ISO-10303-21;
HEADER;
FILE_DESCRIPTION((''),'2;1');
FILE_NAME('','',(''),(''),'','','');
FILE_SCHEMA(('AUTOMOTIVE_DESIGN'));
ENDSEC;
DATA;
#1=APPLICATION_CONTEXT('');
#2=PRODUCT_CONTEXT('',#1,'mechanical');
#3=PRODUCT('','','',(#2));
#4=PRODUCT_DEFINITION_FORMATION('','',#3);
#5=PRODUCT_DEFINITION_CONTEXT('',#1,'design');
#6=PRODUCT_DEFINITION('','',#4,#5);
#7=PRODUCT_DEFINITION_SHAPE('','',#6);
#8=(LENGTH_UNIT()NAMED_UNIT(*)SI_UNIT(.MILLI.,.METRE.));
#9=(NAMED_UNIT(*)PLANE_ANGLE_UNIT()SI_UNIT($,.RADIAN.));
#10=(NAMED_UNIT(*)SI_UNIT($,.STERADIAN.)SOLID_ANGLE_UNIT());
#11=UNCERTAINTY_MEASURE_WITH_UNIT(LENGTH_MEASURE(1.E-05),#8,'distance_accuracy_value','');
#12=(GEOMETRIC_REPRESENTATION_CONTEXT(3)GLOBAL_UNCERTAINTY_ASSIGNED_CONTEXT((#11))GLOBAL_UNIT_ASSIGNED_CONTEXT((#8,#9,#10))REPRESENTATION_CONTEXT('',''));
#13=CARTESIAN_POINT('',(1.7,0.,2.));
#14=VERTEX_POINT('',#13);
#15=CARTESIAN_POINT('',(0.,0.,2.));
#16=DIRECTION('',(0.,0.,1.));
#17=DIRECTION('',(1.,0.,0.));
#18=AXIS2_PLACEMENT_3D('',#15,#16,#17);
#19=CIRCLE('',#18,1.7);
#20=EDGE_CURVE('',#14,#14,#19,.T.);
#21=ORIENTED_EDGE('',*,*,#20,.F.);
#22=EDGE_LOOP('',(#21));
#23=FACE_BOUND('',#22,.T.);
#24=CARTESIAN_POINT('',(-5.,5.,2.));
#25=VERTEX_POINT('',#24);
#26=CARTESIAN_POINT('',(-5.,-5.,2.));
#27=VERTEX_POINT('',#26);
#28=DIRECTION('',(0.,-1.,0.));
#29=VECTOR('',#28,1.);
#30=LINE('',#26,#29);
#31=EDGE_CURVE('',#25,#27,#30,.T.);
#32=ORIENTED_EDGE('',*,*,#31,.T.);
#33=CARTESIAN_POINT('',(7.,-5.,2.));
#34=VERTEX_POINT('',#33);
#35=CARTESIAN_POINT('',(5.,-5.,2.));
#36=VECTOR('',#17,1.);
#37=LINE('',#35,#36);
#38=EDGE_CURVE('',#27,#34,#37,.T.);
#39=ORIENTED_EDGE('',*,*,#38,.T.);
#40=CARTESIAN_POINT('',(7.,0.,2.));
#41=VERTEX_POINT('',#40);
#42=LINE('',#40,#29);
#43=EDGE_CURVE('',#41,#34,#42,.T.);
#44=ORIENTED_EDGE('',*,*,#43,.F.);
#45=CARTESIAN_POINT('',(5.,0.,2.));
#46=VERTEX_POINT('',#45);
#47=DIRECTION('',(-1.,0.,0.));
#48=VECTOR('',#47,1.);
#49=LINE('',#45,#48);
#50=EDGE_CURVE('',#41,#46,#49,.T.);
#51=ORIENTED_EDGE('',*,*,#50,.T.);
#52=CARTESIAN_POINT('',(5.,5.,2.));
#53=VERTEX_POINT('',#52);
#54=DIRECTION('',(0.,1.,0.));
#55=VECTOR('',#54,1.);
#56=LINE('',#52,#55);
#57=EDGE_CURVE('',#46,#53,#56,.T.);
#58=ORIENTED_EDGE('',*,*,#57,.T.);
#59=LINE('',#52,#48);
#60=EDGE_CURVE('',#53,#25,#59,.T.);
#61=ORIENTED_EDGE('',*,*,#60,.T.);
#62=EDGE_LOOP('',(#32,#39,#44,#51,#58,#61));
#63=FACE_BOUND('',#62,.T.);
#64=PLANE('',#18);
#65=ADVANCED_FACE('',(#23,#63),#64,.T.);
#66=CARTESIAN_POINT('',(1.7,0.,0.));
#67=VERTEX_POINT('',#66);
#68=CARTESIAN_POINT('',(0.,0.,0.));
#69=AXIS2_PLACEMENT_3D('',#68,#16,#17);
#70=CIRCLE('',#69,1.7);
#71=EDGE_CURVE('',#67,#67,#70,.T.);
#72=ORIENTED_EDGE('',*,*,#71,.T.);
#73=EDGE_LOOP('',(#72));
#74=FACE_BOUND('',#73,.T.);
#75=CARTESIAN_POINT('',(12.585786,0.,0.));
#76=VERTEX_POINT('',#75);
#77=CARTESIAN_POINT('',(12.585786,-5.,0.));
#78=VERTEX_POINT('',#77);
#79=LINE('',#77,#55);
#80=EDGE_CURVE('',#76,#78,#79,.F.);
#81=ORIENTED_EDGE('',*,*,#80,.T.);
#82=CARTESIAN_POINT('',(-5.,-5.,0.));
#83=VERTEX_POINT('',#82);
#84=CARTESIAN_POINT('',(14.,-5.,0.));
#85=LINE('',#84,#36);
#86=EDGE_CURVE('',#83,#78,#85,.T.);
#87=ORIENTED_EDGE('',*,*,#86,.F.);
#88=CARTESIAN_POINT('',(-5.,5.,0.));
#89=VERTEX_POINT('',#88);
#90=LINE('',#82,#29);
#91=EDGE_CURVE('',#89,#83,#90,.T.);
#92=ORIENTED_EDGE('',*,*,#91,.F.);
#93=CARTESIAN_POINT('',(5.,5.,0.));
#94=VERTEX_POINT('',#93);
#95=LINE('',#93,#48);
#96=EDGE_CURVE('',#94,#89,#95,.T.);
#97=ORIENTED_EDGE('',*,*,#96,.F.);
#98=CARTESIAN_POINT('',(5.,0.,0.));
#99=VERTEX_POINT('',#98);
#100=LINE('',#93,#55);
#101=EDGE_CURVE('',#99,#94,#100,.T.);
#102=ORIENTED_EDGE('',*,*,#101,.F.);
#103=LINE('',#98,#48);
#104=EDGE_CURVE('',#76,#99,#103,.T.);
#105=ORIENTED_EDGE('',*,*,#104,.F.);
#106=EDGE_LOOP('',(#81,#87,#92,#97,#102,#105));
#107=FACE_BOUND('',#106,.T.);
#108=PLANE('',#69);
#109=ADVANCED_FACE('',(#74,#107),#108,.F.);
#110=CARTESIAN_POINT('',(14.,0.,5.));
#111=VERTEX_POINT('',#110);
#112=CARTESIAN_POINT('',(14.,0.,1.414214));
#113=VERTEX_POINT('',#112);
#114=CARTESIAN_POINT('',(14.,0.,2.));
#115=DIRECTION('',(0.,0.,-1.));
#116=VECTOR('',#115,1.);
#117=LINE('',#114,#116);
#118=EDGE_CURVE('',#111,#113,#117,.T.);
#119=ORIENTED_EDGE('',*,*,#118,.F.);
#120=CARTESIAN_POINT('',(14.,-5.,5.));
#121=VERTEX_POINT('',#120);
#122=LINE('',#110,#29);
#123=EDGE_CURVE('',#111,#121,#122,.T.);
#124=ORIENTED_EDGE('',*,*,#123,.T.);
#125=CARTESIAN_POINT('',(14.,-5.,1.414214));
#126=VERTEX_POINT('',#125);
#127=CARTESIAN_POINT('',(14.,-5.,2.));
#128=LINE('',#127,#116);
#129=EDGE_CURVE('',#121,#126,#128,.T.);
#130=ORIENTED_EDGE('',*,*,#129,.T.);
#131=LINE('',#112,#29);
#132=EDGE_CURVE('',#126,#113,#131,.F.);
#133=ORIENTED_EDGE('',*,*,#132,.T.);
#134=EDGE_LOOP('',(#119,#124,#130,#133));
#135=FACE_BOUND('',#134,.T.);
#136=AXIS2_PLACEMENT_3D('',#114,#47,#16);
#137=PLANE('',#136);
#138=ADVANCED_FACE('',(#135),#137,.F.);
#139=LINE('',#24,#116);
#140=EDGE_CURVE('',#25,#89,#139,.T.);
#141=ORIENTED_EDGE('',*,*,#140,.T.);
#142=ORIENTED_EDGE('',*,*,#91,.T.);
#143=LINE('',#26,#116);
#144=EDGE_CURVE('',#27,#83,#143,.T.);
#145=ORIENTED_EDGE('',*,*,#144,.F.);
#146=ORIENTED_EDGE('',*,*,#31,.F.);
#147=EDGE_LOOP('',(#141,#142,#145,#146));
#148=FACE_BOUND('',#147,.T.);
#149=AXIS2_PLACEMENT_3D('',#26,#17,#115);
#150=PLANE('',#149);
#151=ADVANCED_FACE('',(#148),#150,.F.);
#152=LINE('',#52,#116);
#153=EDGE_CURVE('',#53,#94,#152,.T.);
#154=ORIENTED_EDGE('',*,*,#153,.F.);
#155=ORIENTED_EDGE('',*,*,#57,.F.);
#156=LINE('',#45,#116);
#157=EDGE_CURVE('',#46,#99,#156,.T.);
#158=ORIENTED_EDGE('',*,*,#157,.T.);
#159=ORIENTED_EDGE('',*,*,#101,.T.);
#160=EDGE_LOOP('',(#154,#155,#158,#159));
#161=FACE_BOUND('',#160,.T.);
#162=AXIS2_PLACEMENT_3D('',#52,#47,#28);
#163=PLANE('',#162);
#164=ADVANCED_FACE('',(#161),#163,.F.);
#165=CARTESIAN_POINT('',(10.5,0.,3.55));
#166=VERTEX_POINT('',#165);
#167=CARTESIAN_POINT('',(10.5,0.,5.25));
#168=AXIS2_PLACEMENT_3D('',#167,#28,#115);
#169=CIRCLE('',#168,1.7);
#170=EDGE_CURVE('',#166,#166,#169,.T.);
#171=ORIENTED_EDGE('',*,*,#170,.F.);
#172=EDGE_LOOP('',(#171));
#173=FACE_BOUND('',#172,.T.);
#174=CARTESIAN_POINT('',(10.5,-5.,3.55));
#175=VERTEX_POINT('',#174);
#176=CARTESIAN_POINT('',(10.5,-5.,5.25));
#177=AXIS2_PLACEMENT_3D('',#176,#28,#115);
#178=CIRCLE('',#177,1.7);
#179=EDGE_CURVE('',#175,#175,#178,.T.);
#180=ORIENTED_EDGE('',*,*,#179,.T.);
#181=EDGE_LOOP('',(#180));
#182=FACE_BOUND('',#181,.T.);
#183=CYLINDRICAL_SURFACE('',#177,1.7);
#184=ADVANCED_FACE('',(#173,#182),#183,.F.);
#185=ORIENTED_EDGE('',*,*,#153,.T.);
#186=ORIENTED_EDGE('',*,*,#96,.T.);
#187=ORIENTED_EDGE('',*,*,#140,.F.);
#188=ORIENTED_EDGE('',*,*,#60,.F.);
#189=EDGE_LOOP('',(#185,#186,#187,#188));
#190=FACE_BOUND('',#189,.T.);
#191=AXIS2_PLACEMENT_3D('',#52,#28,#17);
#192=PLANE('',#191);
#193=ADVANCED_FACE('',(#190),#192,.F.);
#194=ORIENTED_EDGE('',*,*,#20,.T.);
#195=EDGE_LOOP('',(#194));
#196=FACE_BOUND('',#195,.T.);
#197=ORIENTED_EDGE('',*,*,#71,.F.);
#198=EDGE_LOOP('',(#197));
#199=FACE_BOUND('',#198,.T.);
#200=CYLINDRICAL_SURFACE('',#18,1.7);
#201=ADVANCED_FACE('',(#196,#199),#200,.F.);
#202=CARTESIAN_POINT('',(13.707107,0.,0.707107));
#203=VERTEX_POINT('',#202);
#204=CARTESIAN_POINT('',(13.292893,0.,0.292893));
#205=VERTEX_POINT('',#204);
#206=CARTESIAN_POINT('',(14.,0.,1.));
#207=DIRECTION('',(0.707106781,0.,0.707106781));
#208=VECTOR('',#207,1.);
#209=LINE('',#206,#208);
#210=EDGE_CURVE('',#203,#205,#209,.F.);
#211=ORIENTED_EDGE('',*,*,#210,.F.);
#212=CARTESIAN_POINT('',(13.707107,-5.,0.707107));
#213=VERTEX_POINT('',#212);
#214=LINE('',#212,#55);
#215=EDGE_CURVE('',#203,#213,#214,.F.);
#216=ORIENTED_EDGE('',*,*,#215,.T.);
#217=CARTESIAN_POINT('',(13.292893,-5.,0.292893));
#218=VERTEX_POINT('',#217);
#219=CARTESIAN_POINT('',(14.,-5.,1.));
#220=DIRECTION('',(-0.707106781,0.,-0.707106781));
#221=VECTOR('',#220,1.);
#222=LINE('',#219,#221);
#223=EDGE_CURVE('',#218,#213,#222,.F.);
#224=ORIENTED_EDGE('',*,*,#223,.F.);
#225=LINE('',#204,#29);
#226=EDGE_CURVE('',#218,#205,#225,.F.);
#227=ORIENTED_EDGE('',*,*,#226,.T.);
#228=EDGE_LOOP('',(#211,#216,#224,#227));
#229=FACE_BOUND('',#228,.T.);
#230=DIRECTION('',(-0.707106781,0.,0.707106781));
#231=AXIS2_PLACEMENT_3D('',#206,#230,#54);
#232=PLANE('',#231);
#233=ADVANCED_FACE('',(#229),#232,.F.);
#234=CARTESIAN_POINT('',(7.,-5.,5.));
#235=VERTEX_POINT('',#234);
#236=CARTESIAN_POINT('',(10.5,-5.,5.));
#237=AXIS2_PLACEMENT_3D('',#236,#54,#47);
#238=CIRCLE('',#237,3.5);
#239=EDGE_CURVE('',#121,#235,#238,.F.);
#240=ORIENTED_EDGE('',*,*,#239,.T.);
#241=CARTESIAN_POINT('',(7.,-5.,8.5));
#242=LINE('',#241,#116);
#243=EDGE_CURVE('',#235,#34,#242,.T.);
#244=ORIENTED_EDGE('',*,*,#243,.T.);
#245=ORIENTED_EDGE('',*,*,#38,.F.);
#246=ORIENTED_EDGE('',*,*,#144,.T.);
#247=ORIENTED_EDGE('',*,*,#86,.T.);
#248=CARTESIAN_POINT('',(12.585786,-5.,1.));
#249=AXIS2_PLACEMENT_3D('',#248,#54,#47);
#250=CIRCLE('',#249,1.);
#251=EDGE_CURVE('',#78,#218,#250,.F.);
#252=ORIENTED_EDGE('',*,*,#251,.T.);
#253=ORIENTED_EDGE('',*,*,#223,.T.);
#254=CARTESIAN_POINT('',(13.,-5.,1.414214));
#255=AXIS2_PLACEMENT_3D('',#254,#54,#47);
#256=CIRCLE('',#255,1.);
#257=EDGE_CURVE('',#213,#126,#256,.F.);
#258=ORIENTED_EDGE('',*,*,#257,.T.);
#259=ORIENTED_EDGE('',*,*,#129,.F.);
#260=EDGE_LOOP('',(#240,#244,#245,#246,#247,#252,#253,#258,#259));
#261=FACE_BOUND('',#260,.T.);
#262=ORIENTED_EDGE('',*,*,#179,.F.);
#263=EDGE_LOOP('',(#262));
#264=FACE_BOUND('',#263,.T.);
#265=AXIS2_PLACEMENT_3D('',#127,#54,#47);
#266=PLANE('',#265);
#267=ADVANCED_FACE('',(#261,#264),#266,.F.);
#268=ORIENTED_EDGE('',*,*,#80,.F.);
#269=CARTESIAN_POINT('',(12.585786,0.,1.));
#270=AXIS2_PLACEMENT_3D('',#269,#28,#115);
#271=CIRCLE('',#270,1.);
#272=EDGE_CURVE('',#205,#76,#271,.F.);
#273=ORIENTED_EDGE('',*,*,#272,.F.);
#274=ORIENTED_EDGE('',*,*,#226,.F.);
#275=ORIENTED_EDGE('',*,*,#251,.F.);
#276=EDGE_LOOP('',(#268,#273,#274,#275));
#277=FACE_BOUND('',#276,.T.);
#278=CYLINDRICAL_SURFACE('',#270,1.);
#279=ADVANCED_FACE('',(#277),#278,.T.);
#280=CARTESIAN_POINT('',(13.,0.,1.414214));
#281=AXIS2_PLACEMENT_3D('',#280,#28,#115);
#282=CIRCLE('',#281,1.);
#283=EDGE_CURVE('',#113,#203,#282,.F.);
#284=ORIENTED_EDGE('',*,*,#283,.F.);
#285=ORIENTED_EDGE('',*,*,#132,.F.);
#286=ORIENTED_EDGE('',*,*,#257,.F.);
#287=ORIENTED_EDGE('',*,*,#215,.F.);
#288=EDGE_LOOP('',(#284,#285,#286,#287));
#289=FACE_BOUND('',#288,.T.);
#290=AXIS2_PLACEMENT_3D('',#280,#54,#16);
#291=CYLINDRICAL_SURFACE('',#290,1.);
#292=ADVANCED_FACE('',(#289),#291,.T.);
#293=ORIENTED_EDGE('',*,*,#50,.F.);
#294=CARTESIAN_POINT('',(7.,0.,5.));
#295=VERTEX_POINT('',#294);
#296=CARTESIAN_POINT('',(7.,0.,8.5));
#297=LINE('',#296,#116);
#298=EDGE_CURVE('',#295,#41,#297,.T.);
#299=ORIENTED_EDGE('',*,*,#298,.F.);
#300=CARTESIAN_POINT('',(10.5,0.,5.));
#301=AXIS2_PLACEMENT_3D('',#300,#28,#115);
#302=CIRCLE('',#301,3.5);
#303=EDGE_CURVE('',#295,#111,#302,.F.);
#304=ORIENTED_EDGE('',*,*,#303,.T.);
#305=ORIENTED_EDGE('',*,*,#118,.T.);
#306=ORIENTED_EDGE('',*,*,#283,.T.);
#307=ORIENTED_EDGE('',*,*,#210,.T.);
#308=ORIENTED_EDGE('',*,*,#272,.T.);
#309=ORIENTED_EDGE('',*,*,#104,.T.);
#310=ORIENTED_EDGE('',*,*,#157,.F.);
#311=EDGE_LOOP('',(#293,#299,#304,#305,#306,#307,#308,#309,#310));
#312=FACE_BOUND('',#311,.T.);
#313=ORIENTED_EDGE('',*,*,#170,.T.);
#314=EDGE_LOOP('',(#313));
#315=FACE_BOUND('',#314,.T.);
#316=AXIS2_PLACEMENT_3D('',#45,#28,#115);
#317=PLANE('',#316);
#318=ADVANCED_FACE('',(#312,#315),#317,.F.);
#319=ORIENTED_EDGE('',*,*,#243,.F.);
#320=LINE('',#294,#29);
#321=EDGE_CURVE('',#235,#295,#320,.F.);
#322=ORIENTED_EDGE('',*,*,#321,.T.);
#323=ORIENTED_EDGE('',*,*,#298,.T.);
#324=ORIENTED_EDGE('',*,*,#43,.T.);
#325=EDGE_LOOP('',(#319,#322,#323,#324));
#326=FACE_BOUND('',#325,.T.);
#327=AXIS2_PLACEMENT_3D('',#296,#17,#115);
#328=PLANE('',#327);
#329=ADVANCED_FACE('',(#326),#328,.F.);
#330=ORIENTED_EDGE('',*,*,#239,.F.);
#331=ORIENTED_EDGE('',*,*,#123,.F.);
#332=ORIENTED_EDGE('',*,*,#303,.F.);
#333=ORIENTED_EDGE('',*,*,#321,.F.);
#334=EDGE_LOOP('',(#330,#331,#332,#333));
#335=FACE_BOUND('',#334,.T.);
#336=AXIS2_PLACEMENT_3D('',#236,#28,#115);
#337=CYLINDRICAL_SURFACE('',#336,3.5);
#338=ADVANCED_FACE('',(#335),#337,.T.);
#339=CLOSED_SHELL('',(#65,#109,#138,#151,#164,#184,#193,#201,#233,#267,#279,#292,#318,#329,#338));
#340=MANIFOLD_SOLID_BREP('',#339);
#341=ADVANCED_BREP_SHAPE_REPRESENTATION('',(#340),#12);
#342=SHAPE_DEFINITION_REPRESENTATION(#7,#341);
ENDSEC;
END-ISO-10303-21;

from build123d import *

# Parameters (mm, degrees)
ESTRUSIONE_ESTRUSIONE1_DEPTH = 2
SCHIZZO2_W                   = 7
SCHIZZO2_H                   = 5
ESTRUSIONE_ESTRUSIONE2_DEPTH = 6.5
FORO_PER_VITE_M3_1_D         = 3.4
FORO_PER_VITE_M3_1_DEPTH     = 2
FORO_PER_VITE_M3_1_TIP       = 1.021463052
FORO_PER_VITE_M3_2_D         = 3.4
RACCORDO1_RADIUS             = 3.5
RACCORDO1_LENGTH             = 5
SMUSSO1_SIZE                 = 1
RACCORDO2_R                  = 1


with BuildPart() as part:
    # Schizzo1 → Estrusione-Estrusione1 (new body)
    with BuildSketch(Plane.XY):
        Polygon((5, 5), (5, 0), (14, 0), (14, -5), (5, -5), (-5, -5), (-5, 5), align=None)
    extrude(amount=ESTRUSIONE_ESTRUSIONE1_DEPTH)

    # Schizzo2 → Estrusione-Estrusione2 (add)
    with BuildSketch(Plane.XY.offset(2)):
        with Locations((10.5, -2.5)):
            Rectangle(SCHIZZO2_W, SCHIZZO2_H)
    extrude(amount=ESTRUSIONE_ESTRUSIONE2_DEPTH)

    # Foro per Vite M3-1
    with Locations(Plane.XY.offset(2)):
        with Locations((0, 0)):
            Hole(FORO_PER_VITE_M3_1_D / 2, depth=FORO_PER_VITE_M3_1_DEPTH)
            with Locations((0, 0, -(FORO_PER_VITE_M3_1_DEPTH + FORO_PER_VITE_M3_1_TIP / 2))):  # 118° drill point
                Cone(0, FORO_PER_VITE_M3_1_D / 2, FORO_PER_VITE_M3_1_TIP, mode=Mode.SUBTRACT)

    # Foro per Vite M3-2 (through all)
    with Locations(Plane(origin=(0, -5, 0), x_dir=(-1, 0, 0), z_dir=(0, -1, 0))):
        with Locations((-10.5, -5.25)):
            Hole(FORO_PER_VITE_M3_2_D / 2)

    # Raccordo1: full round fillet: the end face becomes a half cylinder, R = half its width
    raccordo1_face = Plane((10.5, -2.5, 8.5), x_dir=(0, 1, 0), z_dir=(0, 0, 1))  # on the end face: x along it, z out of the body
    raccordo1_slab = raccordo1_face.offset(-RACCORDO1_RADIUS / 2) * Box(RACCORDO1_LENGTH, 2 * RACCORDO1_RADIUS, RACCORDO1_RADIUS, mode=Mode.PRIVATE)  # the body's end, R deep
    raccordo1_round = Plane((10.5, -2.5, 5), x_dir=(0, 0, 1), z_dir=(0, 1, 0)) * Cylinder(RACCORDO1_RADIUS, RACCORDO1_LENGTH, mode=Mode.PRIVATE)  # its axis R under the face
    add(raccordo1_slab - raccordo1_round, mode=Mode.SUBTRACT)

    # Smusso1
    smusso1_edges = [part.edges().sort_by_distance(p)[0] for p in [
        (14, -2.5, 0),
    ]]
    chamfer(smusso1_edges, length=SMUSSO1_SIZE)

    # Raccordo2
    raccordo2_edges = [part.edges().sort_by_distance(p)[0] for p in [
        (14, -2.5, 1),
        (13, -2.5, 0),
    ]]
    fillet(raccordo2_edges, radius=RACCORDO2_R)


solid = part.part
